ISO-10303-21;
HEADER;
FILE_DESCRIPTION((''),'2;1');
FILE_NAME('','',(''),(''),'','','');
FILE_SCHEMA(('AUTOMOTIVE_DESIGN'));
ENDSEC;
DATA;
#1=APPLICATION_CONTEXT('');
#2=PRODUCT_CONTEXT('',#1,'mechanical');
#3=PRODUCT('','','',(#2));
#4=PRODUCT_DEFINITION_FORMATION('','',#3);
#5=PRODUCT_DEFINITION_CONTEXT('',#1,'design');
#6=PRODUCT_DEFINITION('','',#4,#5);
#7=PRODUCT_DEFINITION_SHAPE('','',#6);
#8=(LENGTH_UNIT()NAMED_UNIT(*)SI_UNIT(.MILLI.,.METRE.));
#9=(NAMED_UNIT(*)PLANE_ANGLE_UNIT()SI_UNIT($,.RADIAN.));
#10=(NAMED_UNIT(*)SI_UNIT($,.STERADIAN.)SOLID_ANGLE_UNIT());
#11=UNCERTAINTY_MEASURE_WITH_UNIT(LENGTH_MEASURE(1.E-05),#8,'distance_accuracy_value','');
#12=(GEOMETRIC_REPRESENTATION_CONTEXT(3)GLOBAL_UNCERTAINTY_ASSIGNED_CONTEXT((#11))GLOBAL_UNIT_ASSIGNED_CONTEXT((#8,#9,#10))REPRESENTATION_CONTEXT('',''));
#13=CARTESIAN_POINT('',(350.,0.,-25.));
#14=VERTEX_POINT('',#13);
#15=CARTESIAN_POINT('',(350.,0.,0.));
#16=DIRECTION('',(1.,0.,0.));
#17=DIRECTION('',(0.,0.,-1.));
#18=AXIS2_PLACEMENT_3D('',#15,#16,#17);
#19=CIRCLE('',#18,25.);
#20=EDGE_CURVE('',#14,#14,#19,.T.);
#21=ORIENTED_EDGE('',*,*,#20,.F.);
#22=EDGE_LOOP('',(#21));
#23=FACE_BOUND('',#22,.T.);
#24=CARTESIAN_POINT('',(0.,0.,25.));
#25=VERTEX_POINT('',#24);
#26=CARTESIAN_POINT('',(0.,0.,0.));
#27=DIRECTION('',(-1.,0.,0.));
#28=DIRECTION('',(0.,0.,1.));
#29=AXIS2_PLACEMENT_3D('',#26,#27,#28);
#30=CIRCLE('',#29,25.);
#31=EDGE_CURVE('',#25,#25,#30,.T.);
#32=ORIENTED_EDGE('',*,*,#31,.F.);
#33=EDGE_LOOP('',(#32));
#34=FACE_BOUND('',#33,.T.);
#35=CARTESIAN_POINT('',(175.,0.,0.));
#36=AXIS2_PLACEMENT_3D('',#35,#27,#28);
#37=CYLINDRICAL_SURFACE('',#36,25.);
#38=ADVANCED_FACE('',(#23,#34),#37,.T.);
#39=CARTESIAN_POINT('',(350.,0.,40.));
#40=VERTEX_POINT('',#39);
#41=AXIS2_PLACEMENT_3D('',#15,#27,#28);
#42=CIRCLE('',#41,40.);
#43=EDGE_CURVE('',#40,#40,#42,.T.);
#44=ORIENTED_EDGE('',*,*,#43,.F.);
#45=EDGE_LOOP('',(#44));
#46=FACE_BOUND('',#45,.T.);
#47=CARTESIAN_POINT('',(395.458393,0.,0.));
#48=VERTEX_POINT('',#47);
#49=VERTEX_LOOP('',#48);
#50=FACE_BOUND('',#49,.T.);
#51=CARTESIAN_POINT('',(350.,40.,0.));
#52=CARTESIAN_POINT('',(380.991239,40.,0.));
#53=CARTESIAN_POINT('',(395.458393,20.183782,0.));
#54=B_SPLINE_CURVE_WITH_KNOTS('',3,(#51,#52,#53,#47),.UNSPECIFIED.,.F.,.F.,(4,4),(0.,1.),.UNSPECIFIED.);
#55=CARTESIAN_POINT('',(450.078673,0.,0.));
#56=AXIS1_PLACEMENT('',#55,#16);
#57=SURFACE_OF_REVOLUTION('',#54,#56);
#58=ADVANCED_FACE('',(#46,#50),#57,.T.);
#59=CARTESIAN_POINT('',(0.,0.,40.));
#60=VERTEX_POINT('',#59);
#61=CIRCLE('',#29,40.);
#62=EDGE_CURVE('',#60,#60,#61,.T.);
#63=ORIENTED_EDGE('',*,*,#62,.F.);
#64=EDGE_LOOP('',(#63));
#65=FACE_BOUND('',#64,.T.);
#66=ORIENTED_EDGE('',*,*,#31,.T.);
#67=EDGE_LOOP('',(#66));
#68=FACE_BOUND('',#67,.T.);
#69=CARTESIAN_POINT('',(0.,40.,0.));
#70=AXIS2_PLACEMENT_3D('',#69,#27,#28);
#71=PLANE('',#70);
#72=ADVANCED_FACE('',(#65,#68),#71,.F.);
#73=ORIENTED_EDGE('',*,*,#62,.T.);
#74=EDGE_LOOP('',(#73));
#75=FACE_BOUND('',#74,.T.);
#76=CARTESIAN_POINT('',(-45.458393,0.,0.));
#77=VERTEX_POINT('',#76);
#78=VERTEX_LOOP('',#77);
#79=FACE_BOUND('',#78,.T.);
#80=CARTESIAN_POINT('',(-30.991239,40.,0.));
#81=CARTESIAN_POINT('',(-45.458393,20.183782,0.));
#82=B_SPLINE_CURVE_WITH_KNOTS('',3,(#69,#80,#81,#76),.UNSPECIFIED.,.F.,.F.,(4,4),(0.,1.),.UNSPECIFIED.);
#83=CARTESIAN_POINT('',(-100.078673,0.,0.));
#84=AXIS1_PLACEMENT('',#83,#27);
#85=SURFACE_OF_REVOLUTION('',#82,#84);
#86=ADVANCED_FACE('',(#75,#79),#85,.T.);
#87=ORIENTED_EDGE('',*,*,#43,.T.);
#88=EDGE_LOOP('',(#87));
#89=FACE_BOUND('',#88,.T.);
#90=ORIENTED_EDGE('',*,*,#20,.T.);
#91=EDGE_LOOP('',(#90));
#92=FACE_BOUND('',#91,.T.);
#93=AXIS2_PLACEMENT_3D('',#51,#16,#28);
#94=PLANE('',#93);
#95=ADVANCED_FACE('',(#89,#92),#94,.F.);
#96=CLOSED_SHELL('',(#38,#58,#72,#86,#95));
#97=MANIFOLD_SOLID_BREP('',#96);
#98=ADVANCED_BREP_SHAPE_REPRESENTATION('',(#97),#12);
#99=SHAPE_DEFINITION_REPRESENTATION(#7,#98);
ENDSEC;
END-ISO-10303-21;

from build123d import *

# Parameters (mm, degrees)
SKETCH1_R           = 25
BOSS_EXTRUDE1_DEPTH = 175


with BuildPart() as part:
    # Sketch1 → Boss-Extrude1 (new body)
    with BuildSketch(Plane(origin=(0, 0, 0), x_dir=(0, 0, -1), z_dir=(1, 0, 0))):
        Circle(SKETCH1_R)
    boss_extrude1 = extrude(amount=BOSS_EXTRUDE1_DEPTH)

    # Sketch3 → Revolve1 (revolve)
    with BuildSketch(Plane.XY, mode=Mode.PRIVATE) as revolve1_sk:
        with BuildLine():
            Line((0, 0), (-45.458392513, 0))
            add(Edge.make_bspline(
                [(-45.458392513, 0), (-45.458392513, 20.183781855), (-30.991238831, 40), (0, 40)],
                knots=[0, 0, 0, 0, 1, 1, 1, 1], degree=3))
            Line((0, 40), (0, 0))
        make_face()
    revolve1 = revolve(revolve1_sk.sketch.rotate(Axis((-100.078673334, 0, 0), (1, 0, 0)), 90), axis=Axis((-100.078673334, 0, 0), (1, 0, 0)))

    # Mirror1: Boss-Extrude1, Revolve1 across plane
    add(boss_extrude1.mirror(Plane(origin=(175, 0, 0), x_dir=(0, 0, 1), z_dir=(1, 0, 0))))
    add(revolve1.mirror(Plane(origin=(175, 0, 0), x_dir=(0, 0, 1), z_dir=(1, 0, 0))))


solid = part.part
